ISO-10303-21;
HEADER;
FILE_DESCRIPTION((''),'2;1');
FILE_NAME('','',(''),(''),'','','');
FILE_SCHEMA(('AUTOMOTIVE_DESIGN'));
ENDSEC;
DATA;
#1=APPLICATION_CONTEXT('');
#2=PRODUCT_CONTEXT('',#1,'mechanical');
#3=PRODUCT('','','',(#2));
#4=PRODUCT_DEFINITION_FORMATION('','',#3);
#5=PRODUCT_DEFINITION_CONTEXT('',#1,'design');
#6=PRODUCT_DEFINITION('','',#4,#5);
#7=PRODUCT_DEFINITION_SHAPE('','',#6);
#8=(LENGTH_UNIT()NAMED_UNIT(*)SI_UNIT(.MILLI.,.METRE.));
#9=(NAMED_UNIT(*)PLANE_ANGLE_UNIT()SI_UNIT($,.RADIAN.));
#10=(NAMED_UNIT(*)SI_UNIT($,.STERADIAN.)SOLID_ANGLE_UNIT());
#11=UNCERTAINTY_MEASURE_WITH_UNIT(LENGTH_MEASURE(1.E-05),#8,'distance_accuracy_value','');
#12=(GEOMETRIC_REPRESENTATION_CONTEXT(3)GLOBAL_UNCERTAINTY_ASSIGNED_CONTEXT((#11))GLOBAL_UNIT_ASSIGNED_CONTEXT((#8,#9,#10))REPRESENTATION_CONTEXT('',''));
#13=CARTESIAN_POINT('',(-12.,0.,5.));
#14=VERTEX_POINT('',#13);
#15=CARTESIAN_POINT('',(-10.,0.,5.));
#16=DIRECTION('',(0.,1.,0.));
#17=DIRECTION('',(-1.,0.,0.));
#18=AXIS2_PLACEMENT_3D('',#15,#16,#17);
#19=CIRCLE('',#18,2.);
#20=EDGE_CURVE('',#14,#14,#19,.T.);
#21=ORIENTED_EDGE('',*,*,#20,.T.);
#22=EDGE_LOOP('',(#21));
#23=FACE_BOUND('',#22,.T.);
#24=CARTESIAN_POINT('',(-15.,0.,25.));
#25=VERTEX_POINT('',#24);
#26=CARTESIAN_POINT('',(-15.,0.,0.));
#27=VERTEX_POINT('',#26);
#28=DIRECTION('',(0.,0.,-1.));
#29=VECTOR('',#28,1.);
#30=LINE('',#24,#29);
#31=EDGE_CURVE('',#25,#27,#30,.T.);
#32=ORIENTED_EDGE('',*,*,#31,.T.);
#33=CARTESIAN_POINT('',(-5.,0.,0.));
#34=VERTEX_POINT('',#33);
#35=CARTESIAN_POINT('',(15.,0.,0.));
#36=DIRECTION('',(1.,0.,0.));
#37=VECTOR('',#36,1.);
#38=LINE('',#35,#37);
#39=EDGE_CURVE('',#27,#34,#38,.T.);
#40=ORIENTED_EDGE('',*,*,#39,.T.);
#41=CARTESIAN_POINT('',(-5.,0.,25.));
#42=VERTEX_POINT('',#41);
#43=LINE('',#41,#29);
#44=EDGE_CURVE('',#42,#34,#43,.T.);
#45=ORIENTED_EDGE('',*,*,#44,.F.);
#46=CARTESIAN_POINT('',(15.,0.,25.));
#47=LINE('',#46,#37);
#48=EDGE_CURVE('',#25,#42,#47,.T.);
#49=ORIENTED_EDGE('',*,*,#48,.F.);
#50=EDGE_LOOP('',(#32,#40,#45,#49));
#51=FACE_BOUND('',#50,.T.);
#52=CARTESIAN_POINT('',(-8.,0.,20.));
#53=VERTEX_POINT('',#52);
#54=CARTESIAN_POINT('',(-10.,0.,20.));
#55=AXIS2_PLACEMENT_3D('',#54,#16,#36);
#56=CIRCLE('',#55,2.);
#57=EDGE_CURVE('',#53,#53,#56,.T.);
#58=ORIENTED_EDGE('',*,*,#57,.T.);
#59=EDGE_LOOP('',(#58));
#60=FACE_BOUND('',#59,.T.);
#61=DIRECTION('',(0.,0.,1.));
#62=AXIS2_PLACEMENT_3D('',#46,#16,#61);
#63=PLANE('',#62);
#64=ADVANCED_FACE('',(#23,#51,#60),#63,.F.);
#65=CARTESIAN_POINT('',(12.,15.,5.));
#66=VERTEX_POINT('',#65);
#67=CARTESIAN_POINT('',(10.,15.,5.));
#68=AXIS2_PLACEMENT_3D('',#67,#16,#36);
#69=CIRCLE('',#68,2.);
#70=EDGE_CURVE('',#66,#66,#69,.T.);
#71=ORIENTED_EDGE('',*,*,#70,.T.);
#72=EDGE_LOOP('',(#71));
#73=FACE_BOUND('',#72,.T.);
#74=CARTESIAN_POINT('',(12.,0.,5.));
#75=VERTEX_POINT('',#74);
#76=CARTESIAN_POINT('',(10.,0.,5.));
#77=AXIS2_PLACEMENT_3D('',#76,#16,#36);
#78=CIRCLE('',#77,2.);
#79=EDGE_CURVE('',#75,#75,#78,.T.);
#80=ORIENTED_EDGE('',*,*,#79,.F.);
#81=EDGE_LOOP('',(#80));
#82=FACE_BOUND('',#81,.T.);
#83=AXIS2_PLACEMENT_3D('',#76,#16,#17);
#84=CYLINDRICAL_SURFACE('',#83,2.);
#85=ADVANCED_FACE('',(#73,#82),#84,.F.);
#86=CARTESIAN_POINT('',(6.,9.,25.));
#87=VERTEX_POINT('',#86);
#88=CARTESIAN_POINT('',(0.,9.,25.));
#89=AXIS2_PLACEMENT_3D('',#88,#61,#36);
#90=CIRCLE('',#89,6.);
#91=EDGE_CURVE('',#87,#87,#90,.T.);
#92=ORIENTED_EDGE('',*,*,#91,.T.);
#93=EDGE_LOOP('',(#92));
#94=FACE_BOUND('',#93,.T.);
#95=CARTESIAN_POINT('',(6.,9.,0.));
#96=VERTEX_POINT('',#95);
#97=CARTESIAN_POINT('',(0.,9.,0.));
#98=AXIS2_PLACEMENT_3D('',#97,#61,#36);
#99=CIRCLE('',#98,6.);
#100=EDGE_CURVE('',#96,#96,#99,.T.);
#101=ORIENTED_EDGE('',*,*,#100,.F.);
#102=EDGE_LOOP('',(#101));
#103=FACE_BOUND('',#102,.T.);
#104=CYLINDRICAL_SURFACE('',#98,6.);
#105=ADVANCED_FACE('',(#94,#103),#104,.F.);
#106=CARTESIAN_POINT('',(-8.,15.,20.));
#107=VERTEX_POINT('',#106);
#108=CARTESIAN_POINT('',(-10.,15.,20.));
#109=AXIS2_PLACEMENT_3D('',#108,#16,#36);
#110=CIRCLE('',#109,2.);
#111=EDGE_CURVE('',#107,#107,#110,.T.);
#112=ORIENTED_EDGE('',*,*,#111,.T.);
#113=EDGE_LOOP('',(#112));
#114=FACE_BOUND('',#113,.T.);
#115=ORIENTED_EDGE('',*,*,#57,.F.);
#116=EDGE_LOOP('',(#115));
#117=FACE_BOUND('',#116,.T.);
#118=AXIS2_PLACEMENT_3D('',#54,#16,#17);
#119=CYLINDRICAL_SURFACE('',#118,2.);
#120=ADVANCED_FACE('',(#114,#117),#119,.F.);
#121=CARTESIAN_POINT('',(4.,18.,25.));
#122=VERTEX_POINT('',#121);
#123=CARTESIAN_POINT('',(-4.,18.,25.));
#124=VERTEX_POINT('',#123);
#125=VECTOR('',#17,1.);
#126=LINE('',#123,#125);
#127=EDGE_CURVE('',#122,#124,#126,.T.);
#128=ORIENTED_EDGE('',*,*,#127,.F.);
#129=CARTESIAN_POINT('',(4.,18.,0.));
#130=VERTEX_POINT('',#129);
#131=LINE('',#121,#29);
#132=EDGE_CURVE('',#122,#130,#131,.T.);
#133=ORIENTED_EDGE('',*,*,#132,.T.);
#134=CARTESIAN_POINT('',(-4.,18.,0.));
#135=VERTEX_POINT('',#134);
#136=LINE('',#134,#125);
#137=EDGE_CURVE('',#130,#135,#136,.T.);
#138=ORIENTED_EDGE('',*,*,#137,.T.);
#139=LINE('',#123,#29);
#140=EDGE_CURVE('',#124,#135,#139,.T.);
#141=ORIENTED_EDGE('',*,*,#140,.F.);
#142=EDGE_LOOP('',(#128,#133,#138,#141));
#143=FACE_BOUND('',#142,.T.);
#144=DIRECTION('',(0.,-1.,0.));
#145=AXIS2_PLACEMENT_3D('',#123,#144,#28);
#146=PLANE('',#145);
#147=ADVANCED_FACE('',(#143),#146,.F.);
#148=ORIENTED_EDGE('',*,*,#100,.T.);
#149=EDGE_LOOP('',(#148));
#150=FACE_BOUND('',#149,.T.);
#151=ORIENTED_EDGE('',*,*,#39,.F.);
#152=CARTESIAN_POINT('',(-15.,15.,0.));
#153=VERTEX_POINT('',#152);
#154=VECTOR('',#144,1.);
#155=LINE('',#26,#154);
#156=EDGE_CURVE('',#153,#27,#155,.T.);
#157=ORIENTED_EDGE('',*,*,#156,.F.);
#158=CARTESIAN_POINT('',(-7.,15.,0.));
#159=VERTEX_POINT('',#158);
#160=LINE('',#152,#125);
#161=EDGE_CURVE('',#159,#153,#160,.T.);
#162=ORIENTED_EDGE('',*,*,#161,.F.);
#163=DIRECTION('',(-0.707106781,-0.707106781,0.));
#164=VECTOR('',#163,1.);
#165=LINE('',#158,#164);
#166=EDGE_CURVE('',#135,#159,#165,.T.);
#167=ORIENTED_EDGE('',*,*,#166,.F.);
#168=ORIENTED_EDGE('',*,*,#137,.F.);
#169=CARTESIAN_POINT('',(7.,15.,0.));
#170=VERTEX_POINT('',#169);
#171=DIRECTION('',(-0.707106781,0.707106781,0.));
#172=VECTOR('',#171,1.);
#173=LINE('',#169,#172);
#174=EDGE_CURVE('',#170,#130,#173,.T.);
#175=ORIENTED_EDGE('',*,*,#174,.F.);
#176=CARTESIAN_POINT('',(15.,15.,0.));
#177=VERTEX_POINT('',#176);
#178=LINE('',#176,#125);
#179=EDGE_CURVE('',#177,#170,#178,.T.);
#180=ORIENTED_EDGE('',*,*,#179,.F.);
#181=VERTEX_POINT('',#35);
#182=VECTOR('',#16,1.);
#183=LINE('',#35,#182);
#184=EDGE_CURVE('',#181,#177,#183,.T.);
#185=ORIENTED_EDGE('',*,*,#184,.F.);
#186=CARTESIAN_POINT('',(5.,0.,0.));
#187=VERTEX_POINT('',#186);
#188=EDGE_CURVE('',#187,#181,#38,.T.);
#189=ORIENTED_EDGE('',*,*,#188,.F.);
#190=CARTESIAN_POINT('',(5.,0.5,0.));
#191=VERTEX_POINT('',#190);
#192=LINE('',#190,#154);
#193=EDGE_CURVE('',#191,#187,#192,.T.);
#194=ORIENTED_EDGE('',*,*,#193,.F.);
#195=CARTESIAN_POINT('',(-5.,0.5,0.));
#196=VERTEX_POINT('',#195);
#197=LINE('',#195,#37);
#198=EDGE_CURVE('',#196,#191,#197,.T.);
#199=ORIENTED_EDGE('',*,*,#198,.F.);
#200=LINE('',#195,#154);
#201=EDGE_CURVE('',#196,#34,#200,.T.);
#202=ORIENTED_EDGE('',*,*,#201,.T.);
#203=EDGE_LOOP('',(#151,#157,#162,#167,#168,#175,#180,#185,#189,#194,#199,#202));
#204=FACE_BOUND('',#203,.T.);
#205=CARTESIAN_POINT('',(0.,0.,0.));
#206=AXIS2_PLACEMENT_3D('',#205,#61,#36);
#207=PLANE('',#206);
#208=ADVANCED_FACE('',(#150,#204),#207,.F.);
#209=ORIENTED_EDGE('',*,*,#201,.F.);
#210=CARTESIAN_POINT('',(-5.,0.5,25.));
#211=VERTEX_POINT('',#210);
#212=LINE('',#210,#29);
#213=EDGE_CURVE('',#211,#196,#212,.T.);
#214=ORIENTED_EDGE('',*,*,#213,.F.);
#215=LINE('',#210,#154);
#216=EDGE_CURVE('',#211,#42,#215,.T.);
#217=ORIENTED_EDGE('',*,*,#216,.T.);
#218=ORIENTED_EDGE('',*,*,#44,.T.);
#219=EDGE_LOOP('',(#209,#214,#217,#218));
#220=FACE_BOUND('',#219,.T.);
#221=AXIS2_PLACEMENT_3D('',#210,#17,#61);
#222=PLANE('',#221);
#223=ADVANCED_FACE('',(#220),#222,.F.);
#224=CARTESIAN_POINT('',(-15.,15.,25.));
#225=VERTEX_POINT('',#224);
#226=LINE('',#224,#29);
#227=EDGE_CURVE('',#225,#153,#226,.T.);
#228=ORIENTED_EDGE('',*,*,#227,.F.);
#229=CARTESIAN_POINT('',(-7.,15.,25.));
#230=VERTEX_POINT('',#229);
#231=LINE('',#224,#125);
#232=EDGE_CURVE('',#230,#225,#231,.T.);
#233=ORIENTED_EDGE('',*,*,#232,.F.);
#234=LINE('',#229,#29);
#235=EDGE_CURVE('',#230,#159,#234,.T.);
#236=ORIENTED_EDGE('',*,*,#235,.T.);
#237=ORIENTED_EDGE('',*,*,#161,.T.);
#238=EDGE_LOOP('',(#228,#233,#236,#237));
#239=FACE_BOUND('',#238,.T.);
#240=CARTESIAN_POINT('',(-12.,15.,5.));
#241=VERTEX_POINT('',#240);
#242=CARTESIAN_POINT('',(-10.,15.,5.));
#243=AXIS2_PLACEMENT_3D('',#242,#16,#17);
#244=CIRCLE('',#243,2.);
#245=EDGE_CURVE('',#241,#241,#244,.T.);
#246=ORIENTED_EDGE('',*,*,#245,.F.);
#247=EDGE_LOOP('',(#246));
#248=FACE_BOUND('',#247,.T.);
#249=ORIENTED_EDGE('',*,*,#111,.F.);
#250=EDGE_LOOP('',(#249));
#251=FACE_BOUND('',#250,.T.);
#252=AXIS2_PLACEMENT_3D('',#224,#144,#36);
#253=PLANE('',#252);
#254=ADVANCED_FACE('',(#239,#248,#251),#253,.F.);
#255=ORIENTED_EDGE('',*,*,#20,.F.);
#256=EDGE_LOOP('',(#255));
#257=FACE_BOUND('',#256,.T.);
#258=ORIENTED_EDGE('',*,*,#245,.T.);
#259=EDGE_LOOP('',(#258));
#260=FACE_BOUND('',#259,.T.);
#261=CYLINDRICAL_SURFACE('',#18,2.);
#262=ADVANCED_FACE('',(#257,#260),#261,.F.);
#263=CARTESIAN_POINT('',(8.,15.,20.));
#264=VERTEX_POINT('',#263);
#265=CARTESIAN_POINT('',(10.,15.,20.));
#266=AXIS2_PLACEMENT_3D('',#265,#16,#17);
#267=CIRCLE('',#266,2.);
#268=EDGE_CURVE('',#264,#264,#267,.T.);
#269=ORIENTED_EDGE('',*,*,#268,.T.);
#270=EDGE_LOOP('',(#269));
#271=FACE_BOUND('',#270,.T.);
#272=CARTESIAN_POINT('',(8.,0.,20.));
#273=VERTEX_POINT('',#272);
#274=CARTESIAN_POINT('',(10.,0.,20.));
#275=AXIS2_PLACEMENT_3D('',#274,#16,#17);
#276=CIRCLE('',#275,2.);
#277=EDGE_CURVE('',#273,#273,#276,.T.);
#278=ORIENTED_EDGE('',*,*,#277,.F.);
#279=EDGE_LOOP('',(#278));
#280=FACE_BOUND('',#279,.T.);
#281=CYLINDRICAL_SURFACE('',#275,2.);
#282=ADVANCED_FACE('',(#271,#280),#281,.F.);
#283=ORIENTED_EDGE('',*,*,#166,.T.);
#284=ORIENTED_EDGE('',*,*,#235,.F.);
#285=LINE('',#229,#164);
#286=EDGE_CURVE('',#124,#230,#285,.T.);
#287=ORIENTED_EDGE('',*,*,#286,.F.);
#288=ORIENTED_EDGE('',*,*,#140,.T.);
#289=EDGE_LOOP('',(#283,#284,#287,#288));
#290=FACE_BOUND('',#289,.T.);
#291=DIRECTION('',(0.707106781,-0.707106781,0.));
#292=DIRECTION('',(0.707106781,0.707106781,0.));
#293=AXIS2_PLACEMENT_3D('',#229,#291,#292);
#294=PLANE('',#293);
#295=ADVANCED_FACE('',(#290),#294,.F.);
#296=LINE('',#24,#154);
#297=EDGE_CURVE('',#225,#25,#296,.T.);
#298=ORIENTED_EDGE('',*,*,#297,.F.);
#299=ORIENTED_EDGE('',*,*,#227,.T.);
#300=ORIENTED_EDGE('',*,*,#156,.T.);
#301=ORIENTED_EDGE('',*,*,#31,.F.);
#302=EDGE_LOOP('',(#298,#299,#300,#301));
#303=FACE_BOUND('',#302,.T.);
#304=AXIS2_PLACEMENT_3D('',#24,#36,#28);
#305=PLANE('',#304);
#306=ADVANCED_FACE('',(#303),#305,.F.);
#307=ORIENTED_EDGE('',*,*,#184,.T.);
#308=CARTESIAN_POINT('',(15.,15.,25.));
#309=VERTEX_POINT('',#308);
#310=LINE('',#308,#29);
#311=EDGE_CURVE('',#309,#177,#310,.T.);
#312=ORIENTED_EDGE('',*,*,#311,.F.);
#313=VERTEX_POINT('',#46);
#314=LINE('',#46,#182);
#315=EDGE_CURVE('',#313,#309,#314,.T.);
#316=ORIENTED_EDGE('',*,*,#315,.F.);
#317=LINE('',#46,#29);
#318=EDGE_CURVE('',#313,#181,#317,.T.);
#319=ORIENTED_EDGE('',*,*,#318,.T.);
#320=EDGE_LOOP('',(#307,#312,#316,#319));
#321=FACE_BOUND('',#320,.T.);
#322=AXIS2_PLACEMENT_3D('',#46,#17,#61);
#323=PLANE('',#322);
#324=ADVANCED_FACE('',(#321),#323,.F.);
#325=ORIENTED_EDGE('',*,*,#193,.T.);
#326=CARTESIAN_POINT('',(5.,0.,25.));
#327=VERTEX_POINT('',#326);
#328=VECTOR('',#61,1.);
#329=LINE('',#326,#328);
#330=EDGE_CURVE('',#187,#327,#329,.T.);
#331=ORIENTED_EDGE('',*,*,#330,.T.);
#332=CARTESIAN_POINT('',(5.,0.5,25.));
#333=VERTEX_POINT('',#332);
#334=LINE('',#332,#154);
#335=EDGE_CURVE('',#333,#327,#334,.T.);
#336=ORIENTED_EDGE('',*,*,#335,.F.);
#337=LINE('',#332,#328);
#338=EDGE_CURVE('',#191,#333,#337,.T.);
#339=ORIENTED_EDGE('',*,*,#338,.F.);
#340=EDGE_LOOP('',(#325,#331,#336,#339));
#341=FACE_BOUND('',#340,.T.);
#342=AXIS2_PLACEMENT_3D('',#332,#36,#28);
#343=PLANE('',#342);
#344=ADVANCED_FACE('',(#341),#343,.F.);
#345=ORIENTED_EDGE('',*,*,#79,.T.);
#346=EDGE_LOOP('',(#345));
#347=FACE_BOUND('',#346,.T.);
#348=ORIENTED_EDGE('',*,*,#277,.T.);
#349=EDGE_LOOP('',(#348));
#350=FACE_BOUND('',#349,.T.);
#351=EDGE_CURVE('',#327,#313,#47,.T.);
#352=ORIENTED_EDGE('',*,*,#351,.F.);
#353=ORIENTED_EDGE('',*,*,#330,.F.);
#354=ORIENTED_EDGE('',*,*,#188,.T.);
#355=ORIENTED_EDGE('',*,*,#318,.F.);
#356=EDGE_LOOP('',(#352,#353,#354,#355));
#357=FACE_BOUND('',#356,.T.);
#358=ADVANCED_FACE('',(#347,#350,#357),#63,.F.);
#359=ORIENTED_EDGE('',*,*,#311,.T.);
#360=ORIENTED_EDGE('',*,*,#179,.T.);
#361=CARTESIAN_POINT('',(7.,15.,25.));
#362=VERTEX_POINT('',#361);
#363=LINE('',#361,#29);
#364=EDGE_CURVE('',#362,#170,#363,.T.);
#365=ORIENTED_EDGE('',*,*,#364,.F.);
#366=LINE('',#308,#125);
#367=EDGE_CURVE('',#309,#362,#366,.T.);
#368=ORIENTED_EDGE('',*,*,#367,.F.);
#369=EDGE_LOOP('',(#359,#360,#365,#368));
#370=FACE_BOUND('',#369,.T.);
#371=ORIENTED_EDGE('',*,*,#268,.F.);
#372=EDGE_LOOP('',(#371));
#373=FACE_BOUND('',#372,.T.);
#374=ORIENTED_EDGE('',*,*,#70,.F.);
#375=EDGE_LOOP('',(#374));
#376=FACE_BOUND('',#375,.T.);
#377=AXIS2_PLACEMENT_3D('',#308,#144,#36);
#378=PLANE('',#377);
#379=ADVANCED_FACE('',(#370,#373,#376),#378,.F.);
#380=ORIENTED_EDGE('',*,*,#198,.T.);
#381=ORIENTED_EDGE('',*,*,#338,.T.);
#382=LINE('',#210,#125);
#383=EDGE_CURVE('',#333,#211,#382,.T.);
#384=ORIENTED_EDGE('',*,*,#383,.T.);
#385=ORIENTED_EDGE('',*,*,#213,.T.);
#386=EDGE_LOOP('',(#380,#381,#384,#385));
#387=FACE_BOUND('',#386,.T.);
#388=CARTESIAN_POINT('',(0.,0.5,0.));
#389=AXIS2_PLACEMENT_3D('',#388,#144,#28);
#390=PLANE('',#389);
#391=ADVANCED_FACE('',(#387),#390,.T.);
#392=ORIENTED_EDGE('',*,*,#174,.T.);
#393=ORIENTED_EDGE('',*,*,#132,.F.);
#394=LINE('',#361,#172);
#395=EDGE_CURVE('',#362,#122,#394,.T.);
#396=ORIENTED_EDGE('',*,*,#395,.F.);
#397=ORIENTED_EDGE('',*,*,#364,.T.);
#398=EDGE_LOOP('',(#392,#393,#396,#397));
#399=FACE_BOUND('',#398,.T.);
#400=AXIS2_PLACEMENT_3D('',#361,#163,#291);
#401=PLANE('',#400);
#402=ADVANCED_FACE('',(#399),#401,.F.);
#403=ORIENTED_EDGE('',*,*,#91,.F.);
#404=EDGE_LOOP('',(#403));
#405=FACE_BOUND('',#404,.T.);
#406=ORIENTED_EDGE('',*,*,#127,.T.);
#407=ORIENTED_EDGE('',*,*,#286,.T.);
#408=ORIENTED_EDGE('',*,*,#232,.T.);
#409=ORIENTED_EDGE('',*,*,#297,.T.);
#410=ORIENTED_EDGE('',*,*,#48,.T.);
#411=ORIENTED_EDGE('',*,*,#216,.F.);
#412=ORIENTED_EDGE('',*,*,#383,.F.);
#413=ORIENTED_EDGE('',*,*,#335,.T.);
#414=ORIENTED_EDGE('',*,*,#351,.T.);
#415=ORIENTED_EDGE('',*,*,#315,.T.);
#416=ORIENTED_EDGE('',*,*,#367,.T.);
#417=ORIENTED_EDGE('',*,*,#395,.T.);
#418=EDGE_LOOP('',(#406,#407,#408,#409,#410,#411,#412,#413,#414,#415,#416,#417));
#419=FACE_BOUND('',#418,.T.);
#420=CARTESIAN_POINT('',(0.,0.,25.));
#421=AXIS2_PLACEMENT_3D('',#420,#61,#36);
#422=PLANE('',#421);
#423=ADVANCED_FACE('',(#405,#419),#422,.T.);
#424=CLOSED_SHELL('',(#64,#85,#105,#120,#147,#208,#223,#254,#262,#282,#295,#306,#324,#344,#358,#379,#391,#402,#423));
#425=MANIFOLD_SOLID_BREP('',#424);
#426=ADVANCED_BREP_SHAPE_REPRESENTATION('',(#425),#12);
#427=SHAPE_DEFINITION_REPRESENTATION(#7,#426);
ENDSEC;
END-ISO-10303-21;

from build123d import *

# Parameters (mm, degrees)
BOSS_EXTRU_1_DEPTH      = 25
ESQUISSE2_R             = 6
ENL_V_MAT_EXTRU_1_DEPTH = 25
ESQUISSE3_R             = 2
ENL_V_MAT_EXTRU_2_DEPTH = 33.787192622
ESQUISSE4_W             = 10
ESQUISSE4_H             = 25
ENL_V_MAT_EXTRU_3_DEPTH = 0.5


with BuildPart() as part:
    # Esquisse1 → Boss.-Extru.1 (new body)
    with BuildSketch(Plane.XY):
        Polygon((15, 0), (-15, 0), (-15, 15), (-7, 15), (-4, 18), (4, 18), (7, 15), (15, 15), align=None)
    extrude(amount=BOSS_EXTRU_1_DEPTH)

    # Esquisse2 → Enlèv. mat.-Extru.1 (cut)
    with BuildSketch(Plane.XY.offset(25)):
        with Locations((0, 9)):
            Circle(ESQUISSE2_R)
    extrude(amount=-ENL_V_MAT_EXTRU_1_DEPTH, mode=Mode.SUBTRACT)

    # Esquisse3 → Enlèv. mat.-Extru.2 (cut, through all)
    with BuildSketch(Plane(origin=(0, 15, 0), x_dir=(1, 0, 0), z_dir=(0, 1, 0))):
        with Locations(Location((-10, -5, 0), (0, 0, 180))):
            Circle(ESQUISSE3_R)
        with Locations((10, -5)):
            Circle(ESQUISSE3_R)
        with Locations(Location((10, -20, 0), (0, 0, 180))):
            Circle(ESQUISSE3_R)
        with Locations((-10, -20)):
            Circle(ESQUISSE3_R)
    extrude(amount=-ENL_V_MAT_EXTRU_2_DEPTH, mode=Mode.SUBTRACT)

    # Esquisse4 → Enlèv. mat.-Extru.3 (cut)
    with BuildSketch(Plane.XZ):
        with Locations((0, 12.5)):
            Rectangle(ESQUISSE4_W, ESQUISSE4_H)
    extrude(amount=-ENL_V_MAT_EXTRU_3_DEPTH, mode=Mode.SUBTRACT)


solid = part.part
